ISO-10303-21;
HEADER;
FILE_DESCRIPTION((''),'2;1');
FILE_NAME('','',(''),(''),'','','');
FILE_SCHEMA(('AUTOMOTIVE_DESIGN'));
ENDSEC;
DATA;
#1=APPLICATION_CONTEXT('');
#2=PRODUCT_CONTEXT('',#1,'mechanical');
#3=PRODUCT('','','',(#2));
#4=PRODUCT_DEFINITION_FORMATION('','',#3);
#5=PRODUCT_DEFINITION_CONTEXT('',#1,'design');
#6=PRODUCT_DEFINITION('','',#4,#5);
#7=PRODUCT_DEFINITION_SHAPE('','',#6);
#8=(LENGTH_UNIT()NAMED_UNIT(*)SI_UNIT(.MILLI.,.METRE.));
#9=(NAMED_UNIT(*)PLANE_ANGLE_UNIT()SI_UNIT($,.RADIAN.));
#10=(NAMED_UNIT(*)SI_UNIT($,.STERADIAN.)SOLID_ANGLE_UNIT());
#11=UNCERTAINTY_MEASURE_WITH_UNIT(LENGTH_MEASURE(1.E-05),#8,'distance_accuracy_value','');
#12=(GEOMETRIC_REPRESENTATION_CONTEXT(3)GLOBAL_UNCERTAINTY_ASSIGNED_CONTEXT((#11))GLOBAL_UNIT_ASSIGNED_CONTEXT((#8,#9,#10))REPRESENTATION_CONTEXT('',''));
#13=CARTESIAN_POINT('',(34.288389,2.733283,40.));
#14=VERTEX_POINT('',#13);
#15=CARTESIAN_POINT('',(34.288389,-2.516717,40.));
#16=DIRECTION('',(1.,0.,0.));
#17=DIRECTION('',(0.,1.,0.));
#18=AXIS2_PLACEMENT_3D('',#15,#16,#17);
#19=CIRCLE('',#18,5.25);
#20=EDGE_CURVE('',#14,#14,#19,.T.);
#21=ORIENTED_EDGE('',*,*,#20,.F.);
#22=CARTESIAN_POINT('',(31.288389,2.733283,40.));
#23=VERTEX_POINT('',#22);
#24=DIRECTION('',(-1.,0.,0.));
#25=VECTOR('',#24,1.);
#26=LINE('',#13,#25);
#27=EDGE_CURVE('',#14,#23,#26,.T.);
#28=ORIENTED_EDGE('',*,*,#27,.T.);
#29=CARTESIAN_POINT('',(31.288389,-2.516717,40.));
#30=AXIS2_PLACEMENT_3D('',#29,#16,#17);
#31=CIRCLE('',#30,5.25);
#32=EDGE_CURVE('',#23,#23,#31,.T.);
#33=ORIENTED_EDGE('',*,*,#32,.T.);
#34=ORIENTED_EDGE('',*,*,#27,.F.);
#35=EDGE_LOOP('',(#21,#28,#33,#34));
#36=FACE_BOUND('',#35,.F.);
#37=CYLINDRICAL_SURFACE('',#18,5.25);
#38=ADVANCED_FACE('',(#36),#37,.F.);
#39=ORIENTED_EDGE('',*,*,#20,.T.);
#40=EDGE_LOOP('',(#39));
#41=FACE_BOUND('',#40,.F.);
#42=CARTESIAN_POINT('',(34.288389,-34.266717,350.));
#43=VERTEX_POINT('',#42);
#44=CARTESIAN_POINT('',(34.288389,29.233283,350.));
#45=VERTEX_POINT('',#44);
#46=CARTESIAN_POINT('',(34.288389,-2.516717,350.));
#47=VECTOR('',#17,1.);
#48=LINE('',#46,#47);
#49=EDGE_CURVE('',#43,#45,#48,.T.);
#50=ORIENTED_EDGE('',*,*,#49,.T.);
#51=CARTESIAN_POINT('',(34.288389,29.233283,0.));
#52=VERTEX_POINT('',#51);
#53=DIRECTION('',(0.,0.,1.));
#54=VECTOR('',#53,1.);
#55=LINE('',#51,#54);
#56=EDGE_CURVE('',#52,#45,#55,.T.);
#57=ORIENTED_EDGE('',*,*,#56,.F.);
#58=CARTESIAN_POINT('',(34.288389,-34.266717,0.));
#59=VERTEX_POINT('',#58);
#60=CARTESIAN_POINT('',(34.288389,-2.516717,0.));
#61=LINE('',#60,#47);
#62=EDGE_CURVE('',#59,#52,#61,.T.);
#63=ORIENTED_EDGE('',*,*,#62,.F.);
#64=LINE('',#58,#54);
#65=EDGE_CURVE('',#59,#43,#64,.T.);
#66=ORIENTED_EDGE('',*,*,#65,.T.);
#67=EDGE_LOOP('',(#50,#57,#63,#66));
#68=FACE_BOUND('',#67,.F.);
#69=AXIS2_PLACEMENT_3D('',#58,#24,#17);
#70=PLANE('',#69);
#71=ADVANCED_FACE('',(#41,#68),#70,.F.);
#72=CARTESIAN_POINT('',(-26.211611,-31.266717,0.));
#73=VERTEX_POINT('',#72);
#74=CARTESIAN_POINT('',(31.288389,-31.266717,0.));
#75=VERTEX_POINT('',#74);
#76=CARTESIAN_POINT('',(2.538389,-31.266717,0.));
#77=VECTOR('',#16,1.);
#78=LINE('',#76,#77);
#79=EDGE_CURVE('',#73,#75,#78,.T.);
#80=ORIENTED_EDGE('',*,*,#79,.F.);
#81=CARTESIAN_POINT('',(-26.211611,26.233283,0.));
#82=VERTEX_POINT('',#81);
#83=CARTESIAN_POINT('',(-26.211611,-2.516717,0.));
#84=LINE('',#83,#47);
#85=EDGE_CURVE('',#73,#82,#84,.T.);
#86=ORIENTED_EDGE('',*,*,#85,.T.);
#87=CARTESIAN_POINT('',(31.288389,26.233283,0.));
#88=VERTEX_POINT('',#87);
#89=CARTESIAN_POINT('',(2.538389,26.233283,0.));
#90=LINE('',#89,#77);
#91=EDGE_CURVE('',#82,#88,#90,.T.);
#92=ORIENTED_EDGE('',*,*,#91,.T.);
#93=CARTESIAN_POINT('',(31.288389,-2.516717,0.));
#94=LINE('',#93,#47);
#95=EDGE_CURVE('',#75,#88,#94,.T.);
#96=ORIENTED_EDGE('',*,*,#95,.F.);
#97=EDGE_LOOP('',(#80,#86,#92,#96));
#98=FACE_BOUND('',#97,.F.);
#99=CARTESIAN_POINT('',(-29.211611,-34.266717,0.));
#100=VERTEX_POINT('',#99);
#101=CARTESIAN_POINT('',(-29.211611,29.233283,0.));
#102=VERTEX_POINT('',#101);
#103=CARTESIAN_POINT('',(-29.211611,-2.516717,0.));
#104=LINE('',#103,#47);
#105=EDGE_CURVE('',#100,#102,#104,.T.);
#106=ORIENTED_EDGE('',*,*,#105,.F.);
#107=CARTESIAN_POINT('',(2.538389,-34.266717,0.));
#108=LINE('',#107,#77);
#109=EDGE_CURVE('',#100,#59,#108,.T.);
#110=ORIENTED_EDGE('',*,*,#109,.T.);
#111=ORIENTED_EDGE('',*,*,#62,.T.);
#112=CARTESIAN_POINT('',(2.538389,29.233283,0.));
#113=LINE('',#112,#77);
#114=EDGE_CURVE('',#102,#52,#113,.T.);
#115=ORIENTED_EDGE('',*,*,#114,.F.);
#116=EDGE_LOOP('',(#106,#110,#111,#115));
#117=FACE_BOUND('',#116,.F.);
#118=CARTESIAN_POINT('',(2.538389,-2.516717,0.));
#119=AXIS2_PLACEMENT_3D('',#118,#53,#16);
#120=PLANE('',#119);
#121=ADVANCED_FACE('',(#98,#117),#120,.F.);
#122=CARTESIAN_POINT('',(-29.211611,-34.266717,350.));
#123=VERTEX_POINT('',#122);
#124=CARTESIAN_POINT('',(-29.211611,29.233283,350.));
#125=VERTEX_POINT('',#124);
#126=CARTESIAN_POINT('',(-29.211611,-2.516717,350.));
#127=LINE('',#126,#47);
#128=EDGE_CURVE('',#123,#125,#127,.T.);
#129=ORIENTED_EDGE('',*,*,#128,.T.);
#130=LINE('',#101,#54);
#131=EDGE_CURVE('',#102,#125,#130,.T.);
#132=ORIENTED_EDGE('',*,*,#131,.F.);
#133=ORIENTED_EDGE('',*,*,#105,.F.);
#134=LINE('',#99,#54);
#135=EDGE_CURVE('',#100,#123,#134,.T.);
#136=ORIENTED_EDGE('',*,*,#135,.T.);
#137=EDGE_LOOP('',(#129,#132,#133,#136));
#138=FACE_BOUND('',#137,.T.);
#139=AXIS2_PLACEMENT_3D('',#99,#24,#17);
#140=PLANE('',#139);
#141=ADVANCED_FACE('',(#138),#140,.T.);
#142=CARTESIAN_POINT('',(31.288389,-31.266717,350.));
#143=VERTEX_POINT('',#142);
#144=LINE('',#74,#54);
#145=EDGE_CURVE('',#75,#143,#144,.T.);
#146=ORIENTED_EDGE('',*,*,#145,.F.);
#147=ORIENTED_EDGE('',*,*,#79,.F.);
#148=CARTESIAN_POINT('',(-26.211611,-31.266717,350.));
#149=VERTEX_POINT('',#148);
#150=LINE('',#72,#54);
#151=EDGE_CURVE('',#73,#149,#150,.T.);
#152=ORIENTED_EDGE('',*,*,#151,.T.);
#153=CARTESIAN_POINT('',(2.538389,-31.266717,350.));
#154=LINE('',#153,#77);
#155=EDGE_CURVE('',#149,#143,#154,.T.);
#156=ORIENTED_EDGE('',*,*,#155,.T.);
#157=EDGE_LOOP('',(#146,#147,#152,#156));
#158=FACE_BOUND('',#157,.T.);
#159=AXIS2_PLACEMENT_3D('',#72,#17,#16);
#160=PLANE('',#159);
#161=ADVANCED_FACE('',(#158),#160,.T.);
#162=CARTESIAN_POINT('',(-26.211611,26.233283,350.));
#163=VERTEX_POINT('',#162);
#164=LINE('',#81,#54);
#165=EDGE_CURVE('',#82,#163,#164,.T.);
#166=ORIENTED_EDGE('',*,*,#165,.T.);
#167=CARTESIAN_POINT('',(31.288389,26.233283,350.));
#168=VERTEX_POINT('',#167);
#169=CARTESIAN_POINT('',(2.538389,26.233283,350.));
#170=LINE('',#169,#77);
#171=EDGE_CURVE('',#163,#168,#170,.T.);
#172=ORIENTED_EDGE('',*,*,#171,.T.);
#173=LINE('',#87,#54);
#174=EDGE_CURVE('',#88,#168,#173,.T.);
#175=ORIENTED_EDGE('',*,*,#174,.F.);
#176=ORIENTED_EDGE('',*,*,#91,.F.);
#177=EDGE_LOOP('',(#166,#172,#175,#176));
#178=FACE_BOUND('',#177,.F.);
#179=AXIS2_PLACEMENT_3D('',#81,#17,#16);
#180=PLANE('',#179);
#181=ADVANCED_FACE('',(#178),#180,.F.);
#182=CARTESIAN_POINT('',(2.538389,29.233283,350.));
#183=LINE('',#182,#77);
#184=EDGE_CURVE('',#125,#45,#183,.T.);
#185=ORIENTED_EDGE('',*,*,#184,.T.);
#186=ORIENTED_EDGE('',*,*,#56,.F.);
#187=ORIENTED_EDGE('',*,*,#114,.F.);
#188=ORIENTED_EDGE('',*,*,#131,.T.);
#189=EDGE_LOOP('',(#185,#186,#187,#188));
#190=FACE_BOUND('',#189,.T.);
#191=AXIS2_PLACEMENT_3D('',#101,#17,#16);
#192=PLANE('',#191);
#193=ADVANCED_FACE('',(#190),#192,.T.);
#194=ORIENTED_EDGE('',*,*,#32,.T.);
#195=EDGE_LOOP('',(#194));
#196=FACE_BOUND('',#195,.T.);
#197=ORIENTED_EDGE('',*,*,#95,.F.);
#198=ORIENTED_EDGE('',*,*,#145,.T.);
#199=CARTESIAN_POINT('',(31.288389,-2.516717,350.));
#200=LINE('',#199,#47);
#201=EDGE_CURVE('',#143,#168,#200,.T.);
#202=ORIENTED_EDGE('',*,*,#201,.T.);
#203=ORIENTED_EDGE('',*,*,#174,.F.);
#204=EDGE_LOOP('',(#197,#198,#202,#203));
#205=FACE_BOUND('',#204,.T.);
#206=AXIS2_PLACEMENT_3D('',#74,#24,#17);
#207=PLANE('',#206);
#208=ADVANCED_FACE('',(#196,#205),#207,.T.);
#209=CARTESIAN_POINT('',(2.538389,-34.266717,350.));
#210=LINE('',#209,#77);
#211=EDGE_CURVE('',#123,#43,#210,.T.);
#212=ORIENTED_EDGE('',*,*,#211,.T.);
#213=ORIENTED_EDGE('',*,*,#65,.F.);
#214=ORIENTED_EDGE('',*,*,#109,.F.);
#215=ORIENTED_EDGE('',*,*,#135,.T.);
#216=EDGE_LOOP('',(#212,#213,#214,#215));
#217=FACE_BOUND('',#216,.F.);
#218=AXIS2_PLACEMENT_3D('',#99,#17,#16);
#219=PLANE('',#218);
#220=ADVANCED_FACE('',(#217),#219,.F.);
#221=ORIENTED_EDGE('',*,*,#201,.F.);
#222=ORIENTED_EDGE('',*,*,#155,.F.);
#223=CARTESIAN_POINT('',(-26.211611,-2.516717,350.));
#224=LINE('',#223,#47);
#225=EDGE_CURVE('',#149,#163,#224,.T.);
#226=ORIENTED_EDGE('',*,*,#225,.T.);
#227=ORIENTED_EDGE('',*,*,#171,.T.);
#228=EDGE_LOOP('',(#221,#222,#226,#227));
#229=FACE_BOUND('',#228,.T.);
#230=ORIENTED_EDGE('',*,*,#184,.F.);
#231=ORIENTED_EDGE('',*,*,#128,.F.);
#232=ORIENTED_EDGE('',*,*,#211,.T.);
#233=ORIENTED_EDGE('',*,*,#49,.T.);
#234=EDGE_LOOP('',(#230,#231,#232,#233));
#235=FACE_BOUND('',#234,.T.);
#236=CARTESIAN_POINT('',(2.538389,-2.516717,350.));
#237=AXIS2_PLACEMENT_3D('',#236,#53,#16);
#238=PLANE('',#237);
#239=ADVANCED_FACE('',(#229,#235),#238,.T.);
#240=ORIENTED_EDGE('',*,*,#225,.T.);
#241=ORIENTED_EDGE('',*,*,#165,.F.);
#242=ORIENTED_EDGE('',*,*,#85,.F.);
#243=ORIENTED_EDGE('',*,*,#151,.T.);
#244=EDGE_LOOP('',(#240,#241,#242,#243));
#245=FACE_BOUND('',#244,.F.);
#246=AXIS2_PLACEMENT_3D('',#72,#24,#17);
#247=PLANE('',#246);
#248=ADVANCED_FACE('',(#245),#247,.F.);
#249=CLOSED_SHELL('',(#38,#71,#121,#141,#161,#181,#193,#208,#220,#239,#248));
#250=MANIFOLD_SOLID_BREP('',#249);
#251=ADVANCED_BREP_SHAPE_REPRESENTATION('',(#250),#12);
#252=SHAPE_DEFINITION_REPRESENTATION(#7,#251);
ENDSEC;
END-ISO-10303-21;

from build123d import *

# Parameters (mm, degrees)
F0_W     = 63.5
F0_H     = 63.5
F0_W_2   = 57.5
F0_H_2   = 57.5
F1_DEPTH = 350
F2_R     = 5.25
F3_DEPTH = 10


with BuildPart() as f1:
    # F0 (on Top) → F1 (new body)
    with BuildSketch(Plane.XY):
        with Locations((2.538389, -2.516717)):
            Rectangle(F0_W, F0_H)
        with Locations((2.538389, -2.516717)):
            Rectangle(F0_W_2, F0_H_2, mode=Mode.SUBTRACT)
    extrude(amount=F1_DEPTH)

    # F2 (on face) → F3 (cut)
    with BuildSketch(Plane.YZ.offset(34.288389)):
        with Locations((-2.516717, 40)):
            Circle(F2_R)
    extrude(amount=-F3_DEPTH, mode=Mode.SUBTRACT)


solid = f1.part
